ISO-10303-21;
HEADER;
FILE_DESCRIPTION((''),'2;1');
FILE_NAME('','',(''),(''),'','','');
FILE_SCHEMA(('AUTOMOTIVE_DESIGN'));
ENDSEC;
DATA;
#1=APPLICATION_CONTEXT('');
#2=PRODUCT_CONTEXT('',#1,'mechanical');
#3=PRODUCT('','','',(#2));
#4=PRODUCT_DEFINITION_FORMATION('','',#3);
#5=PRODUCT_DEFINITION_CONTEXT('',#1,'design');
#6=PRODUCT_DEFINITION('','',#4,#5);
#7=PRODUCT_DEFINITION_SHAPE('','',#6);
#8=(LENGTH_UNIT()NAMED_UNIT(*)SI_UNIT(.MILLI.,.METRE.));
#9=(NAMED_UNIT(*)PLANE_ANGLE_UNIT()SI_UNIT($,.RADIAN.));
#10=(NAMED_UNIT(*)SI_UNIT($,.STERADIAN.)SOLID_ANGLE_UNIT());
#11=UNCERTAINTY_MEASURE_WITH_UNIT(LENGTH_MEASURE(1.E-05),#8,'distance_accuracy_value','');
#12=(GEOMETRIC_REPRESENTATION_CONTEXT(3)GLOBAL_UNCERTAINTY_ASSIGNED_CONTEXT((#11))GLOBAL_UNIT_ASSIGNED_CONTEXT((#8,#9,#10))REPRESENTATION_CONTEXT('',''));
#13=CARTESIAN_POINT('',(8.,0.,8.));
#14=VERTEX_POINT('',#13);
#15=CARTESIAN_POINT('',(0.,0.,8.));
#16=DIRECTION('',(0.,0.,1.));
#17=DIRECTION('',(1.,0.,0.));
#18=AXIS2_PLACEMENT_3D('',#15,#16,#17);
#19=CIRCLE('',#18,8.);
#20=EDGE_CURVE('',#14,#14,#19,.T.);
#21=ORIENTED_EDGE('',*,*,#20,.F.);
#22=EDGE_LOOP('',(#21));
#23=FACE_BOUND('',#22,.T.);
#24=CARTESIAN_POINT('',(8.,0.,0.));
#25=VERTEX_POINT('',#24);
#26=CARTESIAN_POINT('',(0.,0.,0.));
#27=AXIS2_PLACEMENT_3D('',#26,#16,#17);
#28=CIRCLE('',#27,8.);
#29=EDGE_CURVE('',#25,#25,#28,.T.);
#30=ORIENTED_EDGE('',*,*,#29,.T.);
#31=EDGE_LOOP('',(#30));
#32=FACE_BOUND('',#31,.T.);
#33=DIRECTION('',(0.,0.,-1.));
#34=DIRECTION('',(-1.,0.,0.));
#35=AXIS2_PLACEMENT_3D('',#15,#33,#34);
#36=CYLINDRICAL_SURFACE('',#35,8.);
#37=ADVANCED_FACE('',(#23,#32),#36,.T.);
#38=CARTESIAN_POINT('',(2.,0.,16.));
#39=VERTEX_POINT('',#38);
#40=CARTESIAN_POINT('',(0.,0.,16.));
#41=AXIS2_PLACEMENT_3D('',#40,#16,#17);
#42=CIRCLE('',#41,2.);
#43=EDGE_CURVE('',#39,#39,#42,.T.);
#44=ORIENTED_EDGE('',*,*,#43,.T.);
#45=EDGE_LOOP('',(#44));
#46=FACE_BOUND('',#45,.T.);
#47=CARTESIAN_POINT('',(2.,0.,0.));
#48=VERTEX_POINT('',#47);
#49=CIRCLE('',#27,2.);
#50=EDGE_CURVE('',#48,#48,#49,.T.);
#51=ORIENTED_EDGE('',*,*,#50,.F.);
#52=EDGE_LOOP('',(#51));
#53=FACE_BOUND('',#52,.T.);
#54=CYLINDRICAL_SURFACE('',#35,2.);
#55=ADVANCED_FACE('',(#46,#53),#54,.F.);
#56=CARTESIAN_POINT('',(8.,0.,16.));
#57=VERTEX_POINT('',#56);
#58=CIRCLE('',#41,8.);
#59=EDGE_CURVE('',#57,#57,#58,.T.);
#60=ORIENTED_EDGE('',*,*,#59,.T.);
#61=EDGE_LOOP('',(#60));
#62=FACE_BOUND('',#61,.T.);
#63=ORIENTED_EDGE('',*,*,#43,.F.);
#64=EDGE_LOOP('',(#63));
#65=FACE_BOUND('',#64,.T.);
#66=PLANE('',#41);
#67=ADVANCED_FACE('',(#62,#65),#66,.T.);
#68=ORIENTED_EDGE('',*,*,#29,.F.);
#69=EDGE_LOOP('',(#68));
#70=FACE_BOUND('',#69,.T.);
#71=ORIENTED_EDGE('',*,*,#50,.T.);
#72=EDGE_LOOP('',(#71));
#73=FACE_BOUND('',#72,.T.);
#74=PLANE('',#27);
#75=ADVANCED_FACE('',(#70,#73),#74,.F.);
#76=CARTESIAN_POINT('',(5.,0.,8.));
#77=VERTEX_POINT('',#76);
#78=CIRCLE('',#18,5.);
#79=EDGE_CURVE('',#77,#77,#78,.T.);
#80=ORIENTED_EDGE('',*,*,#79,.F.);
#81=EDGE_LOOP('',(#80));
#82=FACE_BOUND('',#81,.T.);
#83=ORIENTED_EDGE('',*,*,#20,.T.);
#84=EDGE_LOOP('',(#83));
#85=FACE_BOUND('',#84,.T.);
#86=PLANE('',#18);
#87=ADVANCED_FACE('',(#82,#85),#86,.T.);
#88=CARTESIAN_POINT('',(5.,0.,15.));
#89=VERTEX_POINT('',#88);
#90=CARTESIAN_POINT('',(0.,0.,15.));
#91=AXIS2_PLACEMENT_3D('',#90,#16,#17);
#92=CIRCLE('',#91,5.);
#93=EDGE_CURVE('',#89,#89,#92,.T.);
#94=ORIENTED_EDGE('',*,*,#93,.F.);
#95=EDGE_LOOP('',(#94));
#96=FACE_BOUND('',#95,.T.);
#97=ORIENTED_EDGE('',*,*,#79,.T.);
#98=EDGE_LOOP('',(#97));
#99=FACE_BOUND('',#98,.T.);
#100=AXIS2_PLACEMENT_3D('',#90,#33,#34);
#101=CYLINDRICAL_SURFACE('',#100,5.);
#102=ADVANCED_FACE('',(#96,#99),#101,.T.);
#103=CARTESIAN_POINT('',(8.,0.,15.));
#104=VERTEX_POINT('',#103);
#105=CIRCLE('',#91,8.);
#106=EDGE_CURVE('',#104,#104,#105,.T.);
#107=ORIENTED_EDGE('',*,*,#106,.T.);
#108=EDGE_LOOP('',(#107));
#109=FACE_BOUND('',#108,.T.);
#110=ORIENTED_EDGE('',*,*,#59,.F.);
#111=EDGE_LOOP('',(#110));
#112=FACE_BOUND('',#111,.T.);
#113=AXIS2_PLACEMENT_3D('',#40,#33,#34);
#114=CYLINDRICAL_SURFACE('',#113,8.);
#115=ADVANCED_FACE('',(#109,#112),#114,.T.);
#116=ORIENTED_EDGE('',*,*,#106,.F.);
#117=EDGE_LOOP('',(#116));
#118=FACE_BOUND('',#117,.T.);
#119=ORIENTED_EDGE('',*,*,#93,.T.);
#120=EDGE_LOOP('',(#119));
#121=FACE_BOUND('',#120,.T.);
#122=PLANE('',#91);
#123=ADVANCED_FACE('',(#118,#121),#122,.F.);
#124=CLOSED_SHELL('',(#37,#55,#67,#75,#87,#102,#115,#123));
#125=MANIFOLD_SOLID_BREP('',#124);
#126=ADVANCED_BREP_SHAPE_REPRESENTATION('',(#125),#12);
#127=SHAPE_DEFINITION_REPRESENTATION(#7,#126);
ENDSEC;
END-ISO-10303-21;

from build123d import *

# Parameters (mm, degrees)
SKETCH_1_R      = 8
SKETCH_1_R_2    = 2
EXTRUDE_1_DEPTH = 8
SKETCH_3_R      = 5
SKETCH_3_R_2    = 2
EXTRUDE_2_DEPTH = 7
SKETCH_4_R      = 8
SKETCH_4_R_2    = 2
EXTRUDE_3_DEPTH = 1


with BuildPart() as part:
    # 草图1 → 凸台-拉伸1 (new body)
    with BuildSketch(Plane.XY):
        Circle(SKETCH_1_R)
        Circle(SKETCH_1_R_2, mode=Mode.SUBTRACT)
    extrude(amount=EXTRUDE_1_DEPTH)

    # 草图3 → 凸台-拉伸2 (add)
    with BuildSketch(Plane.XY.offset(8)):
        Circle(SKETCH_3_R)
        Circle(SKETCH_3_R_2, mode=Mode.SUBTRACT)
    extrude(amount=EXTRUDE_2_DEPTH)

    # 草图4 → 凸台-拉伸3 (add)
    with BuildSketch(Plane.XY.offset(15)):
        Circle(SKETCH_4_R)
        Circle(SKETCH_4_R_2, mode=Mode.SUBTRACT)
    extrude(amount=EXTRUDE_3_DEPTH)


solid = part.part
